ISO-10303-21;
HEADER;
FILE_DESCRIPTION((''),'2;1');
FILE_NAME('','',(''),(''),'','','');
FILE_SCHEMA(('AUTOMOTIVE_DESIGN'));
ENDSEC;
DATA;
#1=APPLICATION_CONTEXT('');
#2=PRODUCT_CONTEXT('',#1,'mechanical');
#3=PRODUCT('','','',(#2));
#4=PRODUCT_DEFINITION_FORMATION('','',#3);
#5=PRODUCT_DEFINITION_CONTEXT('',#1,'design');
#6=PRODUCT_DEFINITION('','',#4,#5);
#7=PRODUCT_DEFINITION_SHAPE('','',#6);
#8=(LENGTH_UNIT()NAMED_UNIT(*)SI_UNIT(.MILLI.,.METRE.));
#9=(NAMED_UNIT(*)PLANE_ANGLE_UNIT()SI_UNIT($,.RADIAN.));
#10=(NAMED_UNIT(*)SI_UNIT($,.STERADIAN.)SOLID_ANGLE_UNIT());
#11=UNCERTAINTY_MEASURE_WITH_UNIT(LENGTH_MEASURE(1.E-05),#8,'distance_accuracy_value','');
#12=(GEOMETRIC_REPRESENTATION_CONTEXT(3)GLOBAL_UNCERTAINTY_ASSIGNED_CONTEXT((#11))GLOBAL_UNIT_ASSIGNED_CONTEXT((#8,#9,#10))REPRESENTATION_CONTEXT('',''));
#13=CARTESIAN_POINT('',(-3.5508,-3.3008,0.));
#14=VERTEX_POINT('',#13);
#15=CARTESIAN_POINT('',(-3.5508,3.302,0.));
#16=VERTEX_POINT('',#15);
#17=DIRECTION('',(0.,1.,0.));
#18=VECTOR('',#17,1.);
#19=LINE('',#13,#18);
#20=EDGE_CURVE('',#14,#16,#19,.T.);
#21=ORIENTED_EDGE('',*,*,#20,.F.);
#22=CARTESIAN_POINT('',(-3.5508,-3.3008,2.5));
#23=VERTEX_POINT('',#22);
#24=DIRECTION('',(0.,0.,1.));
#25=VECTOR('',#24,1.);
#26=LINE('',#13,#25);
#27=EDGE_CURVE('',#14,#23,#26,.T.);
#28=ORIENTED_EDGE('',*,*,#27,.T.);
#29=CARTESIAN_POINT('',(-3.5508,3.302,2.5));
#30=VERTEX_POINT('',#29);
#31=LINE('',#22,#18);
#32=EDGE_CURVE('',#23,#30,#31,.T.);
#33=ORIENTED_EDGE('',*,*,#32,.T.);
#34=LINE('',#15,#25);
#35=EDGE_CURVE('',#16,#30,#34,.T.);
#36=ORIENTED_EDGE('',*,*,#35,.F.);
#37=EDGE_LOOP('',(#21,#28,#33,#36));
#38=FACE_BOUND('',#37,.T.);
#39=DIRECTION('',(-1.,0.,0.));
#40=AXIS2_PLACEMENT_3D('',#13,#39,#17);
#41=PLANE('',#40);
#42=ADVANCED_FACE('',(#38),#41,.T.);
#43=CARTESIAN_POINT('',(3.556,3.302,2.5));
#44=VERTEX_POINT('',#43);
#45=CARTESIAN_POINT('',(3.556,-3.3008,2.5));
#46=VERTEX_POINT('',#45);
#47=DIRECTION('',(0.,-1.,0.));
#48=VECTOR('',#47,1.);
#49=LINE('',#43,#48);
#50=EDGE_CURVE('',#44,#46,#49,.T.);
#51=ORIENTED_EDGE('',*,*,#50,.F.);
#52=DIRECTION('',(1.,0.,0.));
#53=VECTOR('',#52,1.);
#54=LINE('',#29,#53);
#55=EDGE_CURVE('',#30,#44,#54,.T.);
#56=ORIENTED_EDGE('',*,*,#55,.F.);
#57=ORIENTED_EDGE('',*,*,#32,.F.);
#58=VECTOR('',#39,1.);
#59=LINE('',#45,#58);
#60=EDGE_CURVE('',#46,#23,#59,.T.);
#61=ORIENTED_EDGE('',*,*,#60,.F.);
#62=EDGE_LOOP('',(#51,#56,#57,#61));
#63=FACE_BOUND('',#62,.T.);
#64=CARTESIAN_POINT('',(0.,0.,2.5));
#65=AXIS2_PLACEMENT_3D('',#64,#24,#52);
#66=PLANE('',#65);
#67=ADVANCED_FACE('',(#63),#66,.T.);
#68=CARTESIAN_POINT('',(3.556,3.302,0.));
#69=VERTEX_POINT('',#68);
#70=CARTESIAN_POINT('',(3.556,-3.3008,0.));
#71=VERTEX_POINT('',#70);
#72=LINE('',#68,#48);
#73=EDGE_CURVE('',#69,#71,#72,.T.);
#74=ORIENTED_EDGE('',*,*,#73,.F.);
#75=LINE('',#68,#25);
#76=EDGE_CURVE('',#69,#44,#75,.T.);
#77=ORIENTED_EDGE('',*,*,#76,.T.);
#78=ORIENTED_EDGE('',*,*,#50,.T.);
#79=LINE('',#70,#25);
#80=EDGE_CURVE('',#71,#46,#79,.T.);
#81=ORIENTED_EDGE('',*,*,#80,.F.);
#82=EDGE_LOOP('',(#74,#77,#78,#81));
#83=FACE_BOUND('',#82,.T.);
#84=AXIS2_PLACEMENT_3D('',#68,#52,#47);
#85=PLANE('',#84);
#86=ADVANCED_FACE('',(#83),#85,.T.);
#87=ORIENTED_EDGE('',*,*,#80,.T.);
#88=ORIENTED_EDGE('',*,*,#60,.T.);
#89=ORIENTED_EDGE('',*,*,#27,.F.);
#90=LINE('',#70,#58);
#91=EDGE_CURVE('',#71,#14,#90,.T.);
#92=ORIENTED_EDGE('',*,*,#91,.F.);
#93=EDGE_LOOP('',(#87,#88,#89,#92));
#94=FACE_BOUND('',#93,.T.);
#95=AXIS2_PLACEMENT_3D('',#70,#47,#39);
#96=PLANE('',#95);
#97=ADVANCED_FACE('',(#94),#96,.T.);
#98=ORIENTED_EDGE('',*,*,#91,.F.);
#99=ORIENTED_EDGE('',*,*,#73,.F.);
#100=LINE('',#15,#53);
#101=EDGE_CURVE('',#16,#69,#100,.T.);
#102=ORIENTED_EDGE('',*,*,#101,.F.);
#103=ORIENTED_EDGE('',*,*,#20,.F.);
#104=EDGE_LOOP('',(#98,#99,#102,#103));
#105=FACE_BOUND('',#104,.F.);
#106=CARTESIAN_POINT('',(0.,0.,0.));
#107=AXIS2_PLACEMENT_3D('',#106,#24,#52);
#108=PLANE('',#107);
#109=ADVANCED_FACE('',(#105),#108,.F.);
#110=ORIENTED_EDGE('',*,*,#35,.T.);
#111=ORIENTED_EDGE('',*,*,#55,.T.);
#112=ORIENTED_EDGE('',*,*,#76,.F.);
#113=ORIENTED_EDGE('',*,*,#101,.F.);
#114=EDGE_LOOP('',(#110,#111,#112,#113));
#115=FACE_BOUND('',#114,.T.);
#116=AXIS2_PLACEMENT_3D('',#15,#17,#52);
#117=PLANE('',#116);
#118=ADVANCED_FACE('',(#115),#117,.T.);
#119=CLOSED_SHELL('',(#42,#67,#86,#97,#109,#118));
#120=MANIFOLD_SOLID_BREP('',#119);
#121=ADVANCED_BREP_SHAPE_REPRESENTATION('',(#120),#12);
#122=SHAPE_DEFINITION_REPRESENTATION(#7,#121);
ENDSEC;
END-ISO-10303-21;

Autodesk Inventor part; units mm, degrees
ref_plane "YZ Plane" through (0, 0, 0) normal (1, 0, 0) x (0, 1, 0)
ref_plane "XZ Plane" through (0, 0, 0) normal (0, 1, 0) x (-1, 0, 0)
ref_plane "XY Plane" through (0, 0, 0) normal (0, 0, 1) x (1, 0, 0)
sketch "DO-214AB, S3A-13-F_175" plane through (0, 0, 0) normal (0, 0, 1) x (1, 0, 0)
  line L0 (3.556, 3.302) -> (3.556, -3.3008)
  line L1 (3.556, -3.3008) -> (-3.5508, -3.3008)
  line L2 (-3.5508, -3.3008) -> (-3.5508, 3.302)
  line L3 (-3.5508, 3.302) -> (3.556, 3.302)
extrude "Extrusion1" add sketch "DO-214AB, S3A-13-F_175" along normal blind 2.5
properties part number "S3A-13-F"
